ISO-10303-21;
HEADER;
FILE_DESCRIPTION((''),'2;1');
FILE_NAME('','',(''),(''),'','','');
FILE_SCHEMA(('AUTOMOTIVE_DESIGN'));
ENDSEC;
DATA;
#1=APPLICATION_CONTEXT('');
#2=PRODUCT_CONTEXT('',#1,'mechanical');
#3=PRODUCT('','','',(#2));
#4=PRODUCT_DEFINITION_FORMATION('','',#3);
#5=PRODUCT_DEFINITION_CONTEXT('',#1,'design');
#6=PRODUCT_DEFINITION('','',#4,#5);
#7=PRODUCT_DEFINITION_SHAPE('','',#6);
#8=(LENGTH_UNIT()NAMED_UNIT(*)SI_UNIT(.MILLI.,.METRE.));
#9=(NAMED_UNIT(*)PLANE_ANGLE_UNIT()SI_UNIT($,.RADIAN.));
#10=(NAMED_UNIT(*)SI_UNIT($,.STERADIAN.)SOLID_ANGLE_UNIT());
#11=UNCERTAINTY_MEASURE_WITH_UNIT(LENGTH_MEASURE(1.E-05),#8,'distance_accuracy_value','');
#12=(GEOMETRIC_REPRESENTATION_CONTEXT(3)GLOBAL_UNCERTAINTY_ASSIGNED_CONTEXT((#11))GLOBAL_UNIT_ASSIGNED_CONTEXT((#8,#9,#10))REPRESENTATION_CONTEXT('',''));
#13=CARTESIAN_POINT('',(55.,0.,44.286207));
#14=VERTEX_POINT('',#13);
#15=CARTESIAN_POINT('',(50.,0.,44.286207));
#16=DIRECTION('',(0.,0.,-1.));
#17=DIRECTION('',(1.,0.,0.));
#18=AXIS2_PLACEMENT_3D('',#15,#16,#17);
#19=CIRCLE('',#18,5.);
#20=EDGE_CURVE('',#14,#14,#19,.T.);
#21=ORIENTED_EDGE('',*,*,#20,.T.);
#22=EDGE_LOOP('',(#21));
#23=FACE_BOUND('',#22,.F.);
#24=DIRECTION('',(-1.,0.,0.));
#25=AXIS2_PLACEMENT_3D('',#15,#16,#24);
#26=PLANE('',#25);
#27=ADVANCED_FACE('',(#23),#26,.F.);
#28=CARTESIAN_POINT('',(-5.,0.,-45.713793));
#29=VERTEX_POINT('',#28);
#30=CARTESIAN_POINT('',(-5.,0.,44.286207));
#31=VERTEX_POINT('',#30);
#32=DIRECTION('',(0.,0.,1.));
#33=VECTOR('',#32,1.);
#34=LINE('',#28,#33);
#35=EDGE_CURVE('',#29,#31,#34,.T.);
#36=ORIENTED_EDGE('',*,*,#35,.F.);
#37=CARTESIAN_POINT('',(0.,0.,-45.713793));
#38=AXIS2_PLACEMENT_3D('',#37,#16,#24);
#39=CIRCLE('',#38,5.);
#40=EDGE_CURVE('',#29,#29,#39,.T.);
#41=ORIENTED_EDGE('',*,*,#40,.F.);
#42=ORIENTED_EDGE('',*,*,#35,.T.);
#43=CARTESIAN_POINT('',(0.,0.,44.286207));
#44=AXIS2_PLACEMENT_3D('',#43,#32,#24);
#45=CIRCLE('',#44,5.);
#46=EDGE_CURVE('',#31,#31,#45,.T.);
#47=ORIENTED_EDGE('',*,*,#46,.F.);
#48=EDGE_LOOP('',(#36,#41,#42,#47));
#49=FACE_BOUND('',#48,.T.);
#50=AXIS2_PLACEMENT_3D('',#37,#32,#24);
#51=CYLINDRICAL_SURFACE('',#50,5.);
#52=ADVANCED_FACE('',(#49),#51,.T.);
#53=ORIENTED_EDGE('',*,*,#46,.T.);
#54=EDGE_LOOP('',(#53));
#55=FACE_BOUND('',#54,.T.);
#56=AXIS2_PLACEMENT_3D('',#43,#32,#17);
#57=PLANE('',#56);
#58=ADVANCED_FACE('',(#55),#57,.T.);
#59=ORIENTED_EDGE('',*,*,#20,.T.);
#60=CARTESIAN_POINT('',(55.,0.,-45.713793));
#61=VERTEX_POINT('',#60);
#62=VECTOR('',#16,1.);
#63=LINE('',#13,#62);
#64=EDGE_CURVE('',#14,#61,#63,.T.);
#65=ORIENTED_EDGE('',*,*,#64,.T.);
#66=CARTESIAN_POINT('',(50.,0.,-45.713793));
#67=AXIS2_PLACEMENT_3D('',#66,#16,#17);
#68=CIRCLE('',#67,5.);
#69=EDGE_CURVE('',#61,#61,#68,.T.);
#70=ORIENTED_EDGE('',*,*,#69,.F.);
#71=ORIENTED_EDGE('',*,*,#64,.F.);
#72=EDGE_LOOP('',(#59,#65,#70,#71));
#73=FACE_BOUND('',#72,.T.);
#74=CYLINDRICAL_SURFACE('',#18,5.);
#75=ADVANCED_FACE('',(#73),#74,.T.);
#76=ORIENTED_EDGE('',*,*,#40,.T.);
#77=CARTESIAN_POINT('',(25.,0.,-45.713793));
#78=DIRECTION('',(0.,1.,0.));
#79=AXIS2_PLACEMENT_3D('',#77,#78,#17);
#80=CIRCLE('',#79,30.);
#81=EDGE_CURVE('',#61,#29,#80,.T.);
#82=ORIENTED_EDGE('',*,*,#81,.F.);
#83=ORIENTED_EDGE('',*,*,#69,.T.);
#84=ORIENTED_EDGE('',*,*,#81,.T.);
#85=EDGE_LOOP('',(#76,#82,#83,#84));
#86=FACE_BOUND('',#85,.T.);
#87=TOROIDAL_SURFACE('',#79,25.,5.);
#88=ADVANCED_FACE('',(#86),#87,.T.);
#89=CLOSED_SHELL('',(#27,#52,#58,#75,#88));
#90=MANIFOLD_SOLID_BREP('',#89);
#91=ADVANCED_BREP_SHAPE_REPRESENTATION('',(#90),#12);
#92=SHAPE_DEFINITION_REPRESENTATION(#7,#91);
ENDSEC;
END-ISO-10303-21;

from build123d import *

# Parameters (mm, degrees)
F2_R = 5


with BuildPart() as f3:
    # F3: sweep along a path in F0
    with BuildLine(Plane.XZ) as f3_path:
        Line((50, 44.286207), (50, -45.713793))
        ThreePointArc((50, -45.713793), (25, -70.713793), (0, -45.713793))
        Line((0, -45.713793), (0, 44.286207))
    # F2 (on face) → F3 (sweep)
    with BuildSketch(Plane(origin=(0, 0, 44.286207), x_dir=(1, 0, 0), z_dir=(0, 0, -1))):
        with Locations((50, 0)):
            Circle(F2_R)
    sweep(path=f3_path.line)


solid = f3.part
